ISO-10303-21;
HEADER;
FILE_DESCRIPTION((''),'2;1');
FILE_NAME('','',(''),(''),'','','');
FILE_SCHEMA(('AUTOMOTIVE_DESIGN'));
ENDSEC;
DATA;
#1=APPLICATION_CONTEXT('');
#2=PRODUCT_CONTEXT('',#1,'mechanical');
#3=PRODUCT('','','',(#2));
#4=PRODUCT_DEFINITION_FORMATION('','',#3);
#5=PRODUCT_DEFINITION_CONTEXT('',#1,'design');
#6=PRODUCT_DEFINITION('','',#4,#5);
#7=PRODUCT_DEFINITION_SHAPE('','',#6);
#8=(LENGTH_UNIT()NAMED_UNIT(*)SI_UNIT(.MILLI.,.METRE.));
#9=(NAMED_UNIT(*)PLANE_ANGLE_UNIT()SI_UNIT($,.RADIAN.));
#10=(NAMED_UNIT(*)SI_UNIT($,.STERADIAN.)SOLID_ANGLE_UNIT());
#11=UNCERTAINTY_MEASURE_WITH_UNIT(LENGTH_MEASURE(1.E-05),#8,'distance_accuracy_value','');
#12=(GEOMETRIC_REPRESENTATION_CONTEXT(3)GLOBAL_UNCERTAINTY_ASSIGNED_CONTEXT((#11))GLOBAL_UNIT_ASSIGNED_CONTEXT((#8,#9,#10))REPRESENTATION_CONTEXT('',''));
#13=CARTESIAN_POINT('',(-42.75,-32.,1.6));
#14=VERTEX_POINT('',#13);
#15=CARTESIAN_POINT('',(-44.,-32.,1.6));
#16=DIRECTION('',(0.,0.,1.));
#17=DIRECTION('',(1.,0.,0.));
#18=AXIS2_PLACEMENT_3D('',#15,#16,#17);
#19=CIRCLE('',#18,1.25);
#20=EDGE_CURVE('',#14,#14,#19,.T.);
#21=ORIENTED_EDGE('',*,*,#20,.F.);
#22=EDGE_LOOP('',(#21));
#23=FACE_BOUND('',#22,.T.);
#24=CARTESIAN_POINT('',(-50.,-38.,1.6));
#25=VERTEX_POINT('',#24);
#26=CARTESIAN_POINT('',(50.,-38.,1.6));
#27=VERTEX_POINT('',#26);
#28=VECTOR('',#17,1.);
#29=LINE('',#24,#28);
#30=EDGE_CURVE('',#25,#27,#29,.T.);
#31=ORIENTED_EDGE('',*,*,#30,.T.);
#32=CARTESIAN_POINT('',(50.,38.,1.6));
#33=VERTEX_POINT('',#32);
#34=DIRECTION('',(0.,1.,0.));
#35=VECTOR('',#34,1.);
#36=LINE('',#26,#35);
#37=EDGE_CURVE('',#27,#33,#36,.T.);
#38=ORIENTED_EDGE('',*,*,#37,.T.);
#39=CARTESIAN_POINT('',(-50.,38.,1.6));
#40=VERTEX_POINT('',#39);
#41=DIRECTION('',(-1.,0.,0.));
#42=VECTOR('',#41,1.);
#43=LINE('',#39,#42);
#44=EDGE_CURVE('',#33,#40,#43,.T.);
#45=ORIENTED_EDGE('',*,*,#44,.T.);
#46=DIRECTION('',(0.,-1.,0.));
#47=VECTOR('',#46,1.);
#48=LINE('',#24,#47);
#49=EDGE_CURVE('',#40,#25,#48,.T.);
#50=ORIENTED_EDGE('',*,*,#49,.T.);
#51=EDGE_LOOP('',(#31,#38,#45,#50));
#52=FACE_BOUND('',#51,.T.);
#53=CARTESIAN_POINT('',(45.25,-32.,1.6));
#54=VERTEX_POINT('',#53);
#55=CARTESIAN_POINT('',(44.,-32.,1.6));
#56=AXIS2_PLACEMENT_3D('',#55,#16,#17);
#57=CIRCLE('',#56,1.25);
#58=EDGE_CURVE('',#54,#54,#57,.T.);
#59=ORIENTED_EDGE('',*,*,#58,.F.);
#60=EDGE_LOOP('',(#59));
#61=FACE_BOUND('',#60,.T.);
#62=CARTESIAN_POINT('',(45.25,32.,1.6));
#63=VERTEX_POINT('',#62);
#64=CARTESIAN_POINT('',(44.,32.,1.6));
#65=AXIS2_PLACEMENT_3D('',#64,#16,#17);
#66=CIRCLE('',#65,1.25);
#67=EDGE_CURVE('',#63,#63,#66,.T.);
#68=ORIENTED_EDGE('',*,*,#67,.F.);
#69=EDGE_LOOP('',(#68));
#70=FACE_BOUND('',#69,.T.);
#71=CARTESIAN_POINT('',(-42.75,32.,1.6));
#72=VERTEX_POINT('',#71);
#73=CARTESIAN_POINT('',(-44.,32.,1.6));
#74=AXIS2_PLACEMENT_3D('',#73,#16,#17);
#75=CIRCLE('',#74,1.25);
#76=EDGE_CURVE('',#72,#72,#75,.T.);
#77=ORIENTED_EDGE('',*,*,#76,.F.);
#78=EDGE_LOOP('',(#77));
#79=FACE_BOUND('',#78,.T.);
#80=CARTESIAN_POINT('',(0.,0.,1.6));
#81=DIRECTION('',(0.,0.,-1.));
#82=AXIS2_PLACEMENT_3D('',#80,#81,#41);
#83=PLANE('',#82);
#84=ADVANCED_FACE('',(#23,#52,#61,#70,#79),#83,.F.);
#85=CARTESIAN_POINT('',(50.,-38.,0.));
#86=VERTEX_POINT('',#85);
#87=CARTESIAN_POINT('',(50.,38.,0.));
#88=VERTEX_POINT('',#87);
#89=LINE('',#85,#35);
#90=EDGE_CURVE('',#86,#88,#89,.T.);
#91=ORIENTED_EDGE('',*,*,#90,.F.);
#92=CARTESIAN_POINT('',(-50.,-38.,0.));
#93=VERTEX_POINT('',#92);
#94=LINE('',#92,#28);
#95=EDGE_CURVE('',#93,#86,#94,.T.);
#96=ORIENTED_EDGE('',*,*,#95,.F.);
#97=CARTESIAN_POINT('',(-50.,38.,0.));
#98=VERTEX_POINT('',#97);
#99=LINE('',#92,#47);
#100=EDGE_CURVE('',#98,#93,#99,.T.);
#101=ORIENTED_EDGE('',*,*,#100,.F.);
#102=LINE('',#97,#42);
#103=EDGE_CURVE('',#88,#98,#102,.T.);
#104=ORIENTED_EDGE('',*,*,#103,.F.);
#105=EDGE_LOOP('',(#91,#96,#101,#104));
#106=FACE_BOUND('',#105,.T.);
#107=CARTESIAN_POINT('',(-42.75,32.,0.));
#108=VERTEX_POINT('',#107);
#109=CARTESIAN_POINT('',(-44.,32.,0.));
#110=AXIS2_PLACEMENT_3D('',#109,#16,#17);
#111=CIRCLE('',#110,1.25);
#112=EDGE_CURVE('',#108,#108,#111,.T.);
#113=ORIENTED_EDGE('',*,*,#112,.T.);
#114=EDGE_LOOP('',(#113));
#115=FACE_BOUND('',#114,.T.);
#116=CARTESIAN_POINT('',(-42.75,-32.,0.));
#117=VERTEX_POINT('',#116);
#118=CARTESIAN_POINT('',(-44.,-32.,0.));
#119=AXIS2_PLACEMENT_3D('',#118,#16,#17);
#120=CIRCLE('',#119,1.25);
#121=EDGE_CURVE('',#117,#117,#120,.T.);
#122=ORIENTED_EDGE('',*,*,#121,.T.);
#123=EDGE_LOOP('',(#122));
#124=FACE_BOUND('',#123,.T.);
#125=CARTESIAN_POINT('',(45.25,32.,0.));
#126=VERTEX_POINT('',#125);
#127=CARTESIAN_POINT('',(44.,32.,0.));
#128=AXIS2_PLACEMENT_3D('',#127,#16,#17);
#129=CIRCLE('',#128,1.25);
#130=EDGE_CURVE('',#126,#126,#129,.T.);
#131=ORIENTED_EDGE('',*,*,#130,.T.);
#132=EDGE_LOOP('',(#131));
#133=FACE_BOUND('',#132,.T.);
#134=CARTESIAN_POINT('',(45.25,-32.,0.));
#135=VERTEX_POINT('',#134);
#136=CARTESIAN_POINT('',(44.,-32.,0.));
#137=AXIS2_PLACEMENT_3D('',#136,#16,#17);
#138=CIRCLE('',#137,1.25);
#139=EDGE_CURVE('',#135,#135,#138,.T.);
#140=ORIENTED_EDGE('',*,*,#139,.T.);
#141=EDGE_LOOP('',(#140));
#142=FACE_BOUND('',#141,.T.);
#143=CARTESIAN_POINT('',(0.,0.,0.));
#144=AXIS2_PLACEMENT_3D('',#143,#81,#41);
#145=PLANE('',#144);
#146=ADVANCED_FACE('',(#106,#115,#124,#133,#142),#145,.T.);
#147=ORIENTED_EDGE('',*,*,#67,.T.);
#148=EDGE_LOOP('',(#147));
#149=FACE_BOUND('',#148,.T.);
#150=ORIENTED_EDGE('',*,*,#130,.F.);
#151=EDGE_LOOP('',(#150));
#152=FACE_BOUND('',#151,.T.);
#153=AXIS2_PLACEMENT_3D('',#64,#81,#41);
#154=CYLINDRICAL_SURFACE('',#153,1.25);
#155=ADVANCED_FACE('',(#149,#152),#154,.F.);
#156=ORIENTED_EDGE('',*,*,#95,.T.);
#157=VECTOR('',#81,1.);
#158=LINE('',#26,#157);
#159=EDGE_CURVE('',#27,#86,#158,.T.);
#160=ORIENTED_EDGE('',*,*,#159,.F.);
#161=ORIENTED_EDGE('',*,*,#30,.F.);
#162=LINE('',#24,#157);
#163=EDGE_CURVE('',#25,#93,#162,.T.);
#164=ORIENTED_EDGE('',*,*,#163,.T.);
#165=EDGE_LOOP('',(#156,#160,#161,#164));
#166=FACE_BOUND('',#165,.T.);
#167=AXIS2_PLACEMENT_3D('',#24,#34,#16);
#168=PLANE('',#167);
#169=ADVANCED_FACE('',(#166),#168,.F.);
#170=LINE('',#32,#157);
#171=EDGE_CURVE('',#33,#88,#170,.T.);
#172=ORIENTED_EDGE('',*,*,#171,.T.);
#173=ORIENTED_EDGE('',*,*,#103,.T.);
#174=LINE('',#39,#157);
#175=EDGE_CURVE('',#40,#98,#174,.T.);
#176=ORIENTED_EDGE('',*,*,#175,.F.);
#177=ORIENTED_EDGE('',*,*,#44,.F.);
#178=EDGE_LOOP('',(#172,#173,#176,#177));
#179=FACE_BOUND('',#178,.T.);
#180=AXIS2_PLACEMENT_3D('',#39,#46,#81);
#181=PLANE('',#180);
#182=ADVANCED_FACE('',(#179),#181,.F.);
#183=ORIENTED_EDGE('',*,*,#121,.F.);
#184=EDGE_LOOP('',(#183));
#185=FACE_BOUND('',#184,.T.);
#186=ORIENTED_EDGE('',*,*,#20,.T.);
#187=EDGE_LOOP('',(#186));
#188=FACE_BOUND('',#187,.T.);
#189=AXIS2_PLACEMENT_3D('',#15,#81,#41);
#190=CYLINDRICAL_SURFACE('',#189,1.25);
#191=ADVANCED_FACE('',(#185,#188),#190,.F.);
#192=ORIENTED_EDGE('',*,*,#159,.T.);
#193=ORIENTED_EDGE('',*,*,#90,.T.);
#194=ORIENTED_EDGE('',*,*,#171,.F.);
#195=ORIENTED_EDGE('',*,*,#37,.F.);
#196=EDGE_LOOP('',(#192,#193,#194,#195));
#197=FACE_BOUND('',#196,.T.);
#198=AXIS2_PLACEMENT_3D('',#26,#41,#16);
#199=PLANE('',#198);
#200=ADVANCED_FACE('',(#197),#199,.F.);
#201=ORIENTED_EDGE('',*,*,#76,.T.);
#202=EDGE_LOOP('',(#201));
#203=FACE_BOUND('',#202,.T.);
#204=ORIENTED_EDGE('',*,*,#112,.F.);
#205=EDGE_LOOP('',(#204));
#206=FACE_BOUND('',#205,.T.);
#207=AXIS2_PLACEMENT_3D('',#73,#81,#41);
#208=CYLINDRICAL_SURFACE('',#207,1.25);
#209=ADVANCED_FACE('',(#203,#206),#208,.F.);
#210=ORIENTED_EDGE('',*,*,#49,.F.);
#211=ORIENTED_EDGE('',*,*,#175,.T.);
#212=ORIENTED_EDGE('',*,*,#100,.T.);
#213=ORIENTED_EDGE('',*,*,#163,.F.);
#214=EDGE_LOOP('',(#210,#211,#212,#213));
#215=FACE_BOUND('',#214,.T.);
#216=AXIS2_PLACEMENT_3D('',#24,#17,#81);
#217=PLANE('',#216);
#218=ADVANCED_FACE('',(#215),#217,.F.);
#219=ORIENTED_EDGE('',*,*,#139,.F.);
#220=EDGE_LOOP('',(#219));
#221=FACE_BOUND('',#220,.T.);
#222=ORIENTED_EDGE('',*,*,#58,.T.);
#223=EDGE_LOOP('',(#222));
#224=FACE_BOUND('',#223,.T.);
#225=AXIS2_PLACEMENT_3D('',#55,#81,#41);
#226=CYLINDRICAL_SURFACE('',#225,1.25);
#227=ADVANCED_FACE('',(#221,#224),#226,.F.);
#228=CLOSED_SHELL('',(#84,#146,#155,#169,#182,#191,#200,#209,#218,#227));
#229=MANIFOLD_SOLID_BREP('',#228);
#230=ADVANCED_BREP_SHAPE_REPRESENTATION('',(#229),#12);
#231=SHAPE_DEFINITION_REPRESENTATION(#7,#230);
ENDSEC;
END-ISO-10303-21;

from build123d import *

# Parameters (mm, degrees)
SKETCH1_W           = 100
SKETCH1_H           = 76
SKETCH1_R           = 1.25
BOSS_EXTRUDE1_DEPTH = 1.6


with BuildPart() as part:
    # Sketch1 → Boss-Extrude1 (new body)
    with BuildSketch(Plane.XY):
        Rectangle(SKETCH1_W, SKETCH1_H)
        with Locations((-44, 32)):
            Circle(SKETCH1_R, mode=Mode.SUBTRACT)
        with Locations((44, 32)):
            Circle(SKETCH1_R, mode=Mode.SUBTRACT)
        with Locations((44, -32)):
            Circle(SKETCH1_R, mode=Mode.SUBTRACT)
        with Locations((-44, -32)):
            Circle(SKETCH1_R, mode=Mode.SUBTRACT)
    extrude(amount=BOSS_EXTRUDE1_DEPTH)


solid = part.part
